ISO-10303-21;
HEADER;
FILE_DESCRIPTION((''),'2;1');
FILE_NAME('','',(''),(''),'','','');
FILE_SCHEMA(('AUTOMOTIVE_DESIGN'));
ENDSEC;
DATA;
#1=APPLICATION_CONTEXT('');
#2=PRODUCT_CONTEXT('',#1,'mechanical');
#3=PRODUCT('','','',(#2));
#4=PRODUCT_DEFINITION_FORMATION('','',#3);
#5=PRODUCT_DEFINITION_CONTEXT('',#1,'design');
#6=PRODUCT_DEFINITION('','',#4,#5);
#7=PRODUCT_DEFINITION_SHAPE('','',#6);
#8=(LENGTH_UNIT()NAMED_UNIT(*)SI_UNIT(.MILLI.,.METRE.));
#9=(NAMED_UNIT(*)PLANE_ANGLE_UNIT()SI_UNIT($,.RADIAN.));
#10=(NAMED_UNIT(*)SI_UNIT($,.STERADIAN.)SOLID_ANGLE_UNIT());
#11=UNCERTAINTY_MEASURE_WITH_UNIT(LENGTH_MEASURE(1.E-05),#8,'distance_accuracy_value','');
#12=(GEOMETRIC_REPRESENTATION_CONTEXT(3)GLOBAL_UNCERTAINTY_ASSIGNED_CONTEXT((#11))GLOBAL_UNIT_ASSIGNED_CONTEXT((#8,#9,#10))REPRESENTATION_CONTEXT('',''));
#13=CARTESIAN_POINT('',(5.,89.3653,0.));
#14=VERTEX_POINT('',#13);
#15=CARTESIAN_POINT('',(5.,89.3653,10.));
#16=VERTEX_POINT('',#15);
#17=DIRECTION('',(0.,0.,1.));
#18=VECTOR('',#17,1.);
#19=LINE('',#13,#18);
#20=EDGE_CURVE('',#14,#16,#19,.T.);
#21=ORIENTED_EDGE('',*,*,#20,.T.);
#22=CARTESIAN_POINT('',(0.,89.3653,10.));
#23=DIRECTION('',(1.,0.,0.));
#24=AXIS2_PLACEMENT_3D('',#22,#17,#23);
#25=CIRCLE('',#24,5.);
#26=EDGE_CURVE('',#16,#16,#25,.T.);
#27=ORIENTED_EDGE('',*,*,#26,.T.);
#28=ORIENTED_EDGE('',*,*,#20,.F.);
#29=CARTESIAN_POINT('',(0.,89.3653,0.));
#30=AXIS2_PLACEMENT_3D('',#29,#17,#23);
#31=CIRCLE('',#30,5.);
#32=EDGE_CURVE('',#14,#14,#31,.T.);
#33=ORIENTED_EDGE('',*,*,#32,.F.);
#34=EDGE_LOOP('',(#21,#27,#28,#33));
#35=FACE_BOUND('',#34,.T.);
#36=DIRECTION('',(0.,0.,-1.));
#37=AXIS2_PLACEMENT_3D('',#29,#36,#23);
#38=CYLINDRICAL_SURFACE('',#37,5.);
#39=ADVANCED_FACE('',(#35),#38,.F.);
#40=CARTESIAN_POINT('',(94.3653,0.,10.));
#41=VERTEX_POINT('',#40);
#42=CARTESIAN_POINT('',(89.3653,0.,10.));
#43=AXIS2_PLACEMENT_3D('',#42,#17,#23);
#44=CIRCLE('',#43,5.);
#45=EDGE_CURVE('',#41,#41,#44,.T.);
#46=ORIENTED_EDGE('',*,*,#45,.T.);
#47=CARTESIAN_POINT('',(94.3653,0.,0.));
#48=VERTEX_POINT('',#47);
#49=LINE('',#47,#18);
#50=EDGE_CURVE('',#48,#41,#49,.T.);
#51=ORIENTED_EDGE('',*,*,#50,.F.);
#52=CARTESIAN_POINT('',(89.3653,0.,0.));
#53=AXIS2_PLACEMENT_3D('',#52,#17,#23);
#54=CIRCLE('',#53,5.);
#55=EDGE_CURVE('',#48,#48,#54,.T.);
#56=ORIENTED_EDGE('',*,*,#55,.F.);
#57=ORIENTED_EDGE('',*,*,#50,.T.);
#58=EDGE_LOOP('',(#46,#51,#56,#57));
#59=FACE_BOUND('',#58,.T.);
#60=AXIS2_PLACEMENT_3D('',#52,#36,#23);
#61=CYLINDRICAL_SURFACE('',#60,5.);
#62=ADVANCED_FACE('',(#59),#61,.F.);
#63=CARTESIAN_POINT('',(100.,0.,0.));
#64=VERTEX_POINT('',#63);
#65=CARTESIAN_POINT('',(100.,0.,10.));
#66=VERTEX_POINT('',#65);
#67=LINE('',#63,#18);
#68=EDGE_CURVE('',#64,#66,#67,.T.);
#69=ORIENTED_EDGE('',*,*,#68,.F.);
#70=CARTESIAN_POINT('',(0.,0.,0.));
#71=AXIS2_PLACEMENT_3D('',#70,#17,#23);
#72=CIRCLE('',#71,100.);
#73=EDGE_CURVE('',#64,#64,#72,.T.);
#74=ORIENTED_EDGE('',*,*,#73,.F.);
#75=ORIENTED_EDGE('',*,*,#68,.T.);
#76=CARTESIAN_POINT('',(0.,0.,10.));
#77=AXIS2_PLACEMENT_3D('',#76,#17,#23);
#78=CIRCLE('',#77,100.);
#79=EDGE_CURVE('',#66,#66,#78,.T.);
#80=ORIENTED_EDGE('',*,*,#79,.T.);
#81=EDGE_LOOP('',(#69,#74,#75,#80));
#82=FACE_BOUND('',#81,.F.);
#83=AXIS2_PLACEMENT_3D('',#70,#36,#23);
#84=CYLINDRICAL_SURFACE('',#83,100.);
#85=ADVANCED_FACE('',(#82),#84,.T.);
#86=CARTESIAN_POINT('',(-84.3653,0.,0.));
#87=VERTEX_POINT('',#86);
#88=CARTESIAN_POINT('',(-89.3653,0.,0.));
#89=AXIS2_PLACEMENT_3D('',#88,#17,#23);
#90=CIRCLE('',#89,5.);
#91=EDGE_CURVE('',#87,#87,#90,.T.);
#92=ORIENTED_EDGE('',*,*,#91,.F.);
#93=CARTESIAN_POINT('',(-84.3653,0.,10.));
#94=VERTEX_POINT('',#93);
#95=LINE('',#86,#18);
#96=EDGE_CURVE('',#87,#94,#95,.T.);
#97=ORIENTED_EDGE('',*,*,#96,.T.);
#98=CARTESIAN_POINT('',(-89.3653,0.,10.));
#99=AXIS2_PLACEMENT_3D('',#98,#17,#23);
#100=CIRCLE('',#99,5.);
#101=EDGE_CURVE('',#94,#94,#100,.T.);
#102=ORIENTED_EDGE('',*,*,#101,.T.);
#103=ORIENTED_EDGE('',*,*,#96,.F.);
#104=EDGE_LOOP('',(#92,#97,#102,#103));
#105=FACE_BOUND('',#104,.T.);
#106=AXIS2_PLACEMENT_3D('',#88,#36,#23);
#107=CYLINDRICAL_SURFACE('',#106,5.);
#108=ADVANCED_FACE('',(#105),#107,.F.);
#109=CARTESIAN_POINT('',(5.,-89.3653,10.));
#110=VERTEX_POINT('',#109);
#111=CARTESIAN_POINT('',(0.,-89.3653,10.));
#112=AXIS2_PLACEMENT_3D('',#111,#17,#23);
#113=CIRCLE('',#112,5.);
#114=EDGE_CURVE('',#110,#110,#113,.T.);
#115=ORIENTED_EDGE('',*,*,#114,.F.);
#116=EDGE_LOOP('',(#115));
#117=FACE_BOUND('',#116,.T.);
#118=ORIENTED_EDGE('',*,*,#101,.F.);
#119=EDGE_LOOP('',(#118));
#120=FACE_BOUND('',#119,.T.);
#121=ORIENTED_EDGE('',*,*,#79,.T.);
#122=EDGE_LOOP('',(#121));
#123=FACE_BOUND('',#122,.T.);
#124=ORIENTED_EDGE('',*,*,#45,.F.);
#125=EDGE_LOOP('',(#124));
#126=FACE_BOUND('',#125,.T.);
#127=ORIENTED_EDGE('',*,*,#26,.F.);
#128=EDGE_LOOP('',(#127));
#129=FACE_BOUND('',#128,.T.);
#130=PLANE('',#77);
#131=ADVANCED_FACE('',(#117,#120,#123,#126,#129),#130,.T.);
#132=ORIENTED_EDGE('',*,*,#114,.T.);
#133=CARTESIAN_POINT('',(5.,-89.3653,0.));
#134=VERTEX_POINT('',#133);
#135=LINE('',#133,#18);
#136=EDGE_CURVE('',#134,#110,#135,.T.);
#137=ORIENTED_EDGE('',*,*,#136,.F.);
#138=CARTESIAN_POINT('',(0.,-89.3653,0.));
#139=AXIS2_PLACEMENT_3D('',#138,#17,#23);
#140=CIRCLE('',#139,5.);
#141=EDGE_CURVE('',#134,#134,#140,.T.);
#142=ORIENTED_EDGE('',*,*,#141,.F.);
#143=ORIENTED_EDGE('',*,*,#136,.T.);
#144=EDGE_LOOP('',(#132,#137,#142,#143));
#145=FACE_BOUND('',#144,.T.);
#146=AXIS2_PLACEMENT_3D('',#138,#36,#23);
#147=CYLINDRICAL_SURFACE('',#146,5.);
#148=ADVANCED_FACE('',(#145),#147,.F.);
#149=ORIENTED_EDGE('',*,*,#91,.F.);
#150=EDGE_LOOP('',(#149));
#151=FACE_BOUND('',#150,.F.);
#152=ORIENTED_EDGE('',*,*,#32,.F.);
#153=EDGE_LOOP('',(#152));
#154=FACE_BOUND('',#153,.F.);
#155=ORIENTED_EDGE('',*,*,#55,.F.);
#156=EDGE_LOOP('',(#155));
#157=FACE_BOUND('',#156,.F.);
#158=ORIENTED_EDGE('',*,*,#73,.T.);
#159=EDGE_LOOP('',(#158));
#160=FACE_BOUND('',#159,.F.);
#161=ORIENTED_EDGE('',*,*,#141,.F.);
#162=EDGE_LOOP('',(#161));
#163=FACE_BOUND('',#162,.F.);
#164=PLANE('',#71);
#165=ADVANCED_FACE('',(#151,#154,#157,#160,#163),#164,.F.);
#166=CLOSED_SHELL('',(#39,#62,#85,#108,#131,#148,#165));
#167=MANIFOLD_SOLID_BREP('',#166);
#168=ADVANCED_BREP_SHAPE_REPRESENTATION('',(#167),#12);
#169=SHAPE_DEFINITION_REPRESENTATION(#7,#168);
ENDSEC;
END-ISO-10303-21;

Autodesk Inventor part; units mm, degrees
ref_plane "YZ Plane" through (0, 0, 0) normal (1, 0, 0) x (0, 1, 0)
ref_plane "XZ Plane" through (0, 0, 0) normal (0, 1, 0) x (-1, 0, 0)
ref_plane "XY Plane" through (0, 0, 0) normal (0, 0, 1) x (1, 0, 0)
sketch "Sketch1" plane through (0, 0, 0) normal (0, 0, 1) x (1, 0, 0)
  circle A0 centre (0, 0) radius 100
  circle A1 centre (0, 89.3653) radius 5
  circle A2 centre (-89.3653, 0) radius 5
  circle A3 centre (0, -89.3653) radius 5
  circle A4 centre (89.3653, 0) radius 5
  dimension "d0" = 200
  dimension "d1" = 10
  dimension "d4" = 360
extrude "Extrusion1" add sketch "Sketch1" along normal blind 10
